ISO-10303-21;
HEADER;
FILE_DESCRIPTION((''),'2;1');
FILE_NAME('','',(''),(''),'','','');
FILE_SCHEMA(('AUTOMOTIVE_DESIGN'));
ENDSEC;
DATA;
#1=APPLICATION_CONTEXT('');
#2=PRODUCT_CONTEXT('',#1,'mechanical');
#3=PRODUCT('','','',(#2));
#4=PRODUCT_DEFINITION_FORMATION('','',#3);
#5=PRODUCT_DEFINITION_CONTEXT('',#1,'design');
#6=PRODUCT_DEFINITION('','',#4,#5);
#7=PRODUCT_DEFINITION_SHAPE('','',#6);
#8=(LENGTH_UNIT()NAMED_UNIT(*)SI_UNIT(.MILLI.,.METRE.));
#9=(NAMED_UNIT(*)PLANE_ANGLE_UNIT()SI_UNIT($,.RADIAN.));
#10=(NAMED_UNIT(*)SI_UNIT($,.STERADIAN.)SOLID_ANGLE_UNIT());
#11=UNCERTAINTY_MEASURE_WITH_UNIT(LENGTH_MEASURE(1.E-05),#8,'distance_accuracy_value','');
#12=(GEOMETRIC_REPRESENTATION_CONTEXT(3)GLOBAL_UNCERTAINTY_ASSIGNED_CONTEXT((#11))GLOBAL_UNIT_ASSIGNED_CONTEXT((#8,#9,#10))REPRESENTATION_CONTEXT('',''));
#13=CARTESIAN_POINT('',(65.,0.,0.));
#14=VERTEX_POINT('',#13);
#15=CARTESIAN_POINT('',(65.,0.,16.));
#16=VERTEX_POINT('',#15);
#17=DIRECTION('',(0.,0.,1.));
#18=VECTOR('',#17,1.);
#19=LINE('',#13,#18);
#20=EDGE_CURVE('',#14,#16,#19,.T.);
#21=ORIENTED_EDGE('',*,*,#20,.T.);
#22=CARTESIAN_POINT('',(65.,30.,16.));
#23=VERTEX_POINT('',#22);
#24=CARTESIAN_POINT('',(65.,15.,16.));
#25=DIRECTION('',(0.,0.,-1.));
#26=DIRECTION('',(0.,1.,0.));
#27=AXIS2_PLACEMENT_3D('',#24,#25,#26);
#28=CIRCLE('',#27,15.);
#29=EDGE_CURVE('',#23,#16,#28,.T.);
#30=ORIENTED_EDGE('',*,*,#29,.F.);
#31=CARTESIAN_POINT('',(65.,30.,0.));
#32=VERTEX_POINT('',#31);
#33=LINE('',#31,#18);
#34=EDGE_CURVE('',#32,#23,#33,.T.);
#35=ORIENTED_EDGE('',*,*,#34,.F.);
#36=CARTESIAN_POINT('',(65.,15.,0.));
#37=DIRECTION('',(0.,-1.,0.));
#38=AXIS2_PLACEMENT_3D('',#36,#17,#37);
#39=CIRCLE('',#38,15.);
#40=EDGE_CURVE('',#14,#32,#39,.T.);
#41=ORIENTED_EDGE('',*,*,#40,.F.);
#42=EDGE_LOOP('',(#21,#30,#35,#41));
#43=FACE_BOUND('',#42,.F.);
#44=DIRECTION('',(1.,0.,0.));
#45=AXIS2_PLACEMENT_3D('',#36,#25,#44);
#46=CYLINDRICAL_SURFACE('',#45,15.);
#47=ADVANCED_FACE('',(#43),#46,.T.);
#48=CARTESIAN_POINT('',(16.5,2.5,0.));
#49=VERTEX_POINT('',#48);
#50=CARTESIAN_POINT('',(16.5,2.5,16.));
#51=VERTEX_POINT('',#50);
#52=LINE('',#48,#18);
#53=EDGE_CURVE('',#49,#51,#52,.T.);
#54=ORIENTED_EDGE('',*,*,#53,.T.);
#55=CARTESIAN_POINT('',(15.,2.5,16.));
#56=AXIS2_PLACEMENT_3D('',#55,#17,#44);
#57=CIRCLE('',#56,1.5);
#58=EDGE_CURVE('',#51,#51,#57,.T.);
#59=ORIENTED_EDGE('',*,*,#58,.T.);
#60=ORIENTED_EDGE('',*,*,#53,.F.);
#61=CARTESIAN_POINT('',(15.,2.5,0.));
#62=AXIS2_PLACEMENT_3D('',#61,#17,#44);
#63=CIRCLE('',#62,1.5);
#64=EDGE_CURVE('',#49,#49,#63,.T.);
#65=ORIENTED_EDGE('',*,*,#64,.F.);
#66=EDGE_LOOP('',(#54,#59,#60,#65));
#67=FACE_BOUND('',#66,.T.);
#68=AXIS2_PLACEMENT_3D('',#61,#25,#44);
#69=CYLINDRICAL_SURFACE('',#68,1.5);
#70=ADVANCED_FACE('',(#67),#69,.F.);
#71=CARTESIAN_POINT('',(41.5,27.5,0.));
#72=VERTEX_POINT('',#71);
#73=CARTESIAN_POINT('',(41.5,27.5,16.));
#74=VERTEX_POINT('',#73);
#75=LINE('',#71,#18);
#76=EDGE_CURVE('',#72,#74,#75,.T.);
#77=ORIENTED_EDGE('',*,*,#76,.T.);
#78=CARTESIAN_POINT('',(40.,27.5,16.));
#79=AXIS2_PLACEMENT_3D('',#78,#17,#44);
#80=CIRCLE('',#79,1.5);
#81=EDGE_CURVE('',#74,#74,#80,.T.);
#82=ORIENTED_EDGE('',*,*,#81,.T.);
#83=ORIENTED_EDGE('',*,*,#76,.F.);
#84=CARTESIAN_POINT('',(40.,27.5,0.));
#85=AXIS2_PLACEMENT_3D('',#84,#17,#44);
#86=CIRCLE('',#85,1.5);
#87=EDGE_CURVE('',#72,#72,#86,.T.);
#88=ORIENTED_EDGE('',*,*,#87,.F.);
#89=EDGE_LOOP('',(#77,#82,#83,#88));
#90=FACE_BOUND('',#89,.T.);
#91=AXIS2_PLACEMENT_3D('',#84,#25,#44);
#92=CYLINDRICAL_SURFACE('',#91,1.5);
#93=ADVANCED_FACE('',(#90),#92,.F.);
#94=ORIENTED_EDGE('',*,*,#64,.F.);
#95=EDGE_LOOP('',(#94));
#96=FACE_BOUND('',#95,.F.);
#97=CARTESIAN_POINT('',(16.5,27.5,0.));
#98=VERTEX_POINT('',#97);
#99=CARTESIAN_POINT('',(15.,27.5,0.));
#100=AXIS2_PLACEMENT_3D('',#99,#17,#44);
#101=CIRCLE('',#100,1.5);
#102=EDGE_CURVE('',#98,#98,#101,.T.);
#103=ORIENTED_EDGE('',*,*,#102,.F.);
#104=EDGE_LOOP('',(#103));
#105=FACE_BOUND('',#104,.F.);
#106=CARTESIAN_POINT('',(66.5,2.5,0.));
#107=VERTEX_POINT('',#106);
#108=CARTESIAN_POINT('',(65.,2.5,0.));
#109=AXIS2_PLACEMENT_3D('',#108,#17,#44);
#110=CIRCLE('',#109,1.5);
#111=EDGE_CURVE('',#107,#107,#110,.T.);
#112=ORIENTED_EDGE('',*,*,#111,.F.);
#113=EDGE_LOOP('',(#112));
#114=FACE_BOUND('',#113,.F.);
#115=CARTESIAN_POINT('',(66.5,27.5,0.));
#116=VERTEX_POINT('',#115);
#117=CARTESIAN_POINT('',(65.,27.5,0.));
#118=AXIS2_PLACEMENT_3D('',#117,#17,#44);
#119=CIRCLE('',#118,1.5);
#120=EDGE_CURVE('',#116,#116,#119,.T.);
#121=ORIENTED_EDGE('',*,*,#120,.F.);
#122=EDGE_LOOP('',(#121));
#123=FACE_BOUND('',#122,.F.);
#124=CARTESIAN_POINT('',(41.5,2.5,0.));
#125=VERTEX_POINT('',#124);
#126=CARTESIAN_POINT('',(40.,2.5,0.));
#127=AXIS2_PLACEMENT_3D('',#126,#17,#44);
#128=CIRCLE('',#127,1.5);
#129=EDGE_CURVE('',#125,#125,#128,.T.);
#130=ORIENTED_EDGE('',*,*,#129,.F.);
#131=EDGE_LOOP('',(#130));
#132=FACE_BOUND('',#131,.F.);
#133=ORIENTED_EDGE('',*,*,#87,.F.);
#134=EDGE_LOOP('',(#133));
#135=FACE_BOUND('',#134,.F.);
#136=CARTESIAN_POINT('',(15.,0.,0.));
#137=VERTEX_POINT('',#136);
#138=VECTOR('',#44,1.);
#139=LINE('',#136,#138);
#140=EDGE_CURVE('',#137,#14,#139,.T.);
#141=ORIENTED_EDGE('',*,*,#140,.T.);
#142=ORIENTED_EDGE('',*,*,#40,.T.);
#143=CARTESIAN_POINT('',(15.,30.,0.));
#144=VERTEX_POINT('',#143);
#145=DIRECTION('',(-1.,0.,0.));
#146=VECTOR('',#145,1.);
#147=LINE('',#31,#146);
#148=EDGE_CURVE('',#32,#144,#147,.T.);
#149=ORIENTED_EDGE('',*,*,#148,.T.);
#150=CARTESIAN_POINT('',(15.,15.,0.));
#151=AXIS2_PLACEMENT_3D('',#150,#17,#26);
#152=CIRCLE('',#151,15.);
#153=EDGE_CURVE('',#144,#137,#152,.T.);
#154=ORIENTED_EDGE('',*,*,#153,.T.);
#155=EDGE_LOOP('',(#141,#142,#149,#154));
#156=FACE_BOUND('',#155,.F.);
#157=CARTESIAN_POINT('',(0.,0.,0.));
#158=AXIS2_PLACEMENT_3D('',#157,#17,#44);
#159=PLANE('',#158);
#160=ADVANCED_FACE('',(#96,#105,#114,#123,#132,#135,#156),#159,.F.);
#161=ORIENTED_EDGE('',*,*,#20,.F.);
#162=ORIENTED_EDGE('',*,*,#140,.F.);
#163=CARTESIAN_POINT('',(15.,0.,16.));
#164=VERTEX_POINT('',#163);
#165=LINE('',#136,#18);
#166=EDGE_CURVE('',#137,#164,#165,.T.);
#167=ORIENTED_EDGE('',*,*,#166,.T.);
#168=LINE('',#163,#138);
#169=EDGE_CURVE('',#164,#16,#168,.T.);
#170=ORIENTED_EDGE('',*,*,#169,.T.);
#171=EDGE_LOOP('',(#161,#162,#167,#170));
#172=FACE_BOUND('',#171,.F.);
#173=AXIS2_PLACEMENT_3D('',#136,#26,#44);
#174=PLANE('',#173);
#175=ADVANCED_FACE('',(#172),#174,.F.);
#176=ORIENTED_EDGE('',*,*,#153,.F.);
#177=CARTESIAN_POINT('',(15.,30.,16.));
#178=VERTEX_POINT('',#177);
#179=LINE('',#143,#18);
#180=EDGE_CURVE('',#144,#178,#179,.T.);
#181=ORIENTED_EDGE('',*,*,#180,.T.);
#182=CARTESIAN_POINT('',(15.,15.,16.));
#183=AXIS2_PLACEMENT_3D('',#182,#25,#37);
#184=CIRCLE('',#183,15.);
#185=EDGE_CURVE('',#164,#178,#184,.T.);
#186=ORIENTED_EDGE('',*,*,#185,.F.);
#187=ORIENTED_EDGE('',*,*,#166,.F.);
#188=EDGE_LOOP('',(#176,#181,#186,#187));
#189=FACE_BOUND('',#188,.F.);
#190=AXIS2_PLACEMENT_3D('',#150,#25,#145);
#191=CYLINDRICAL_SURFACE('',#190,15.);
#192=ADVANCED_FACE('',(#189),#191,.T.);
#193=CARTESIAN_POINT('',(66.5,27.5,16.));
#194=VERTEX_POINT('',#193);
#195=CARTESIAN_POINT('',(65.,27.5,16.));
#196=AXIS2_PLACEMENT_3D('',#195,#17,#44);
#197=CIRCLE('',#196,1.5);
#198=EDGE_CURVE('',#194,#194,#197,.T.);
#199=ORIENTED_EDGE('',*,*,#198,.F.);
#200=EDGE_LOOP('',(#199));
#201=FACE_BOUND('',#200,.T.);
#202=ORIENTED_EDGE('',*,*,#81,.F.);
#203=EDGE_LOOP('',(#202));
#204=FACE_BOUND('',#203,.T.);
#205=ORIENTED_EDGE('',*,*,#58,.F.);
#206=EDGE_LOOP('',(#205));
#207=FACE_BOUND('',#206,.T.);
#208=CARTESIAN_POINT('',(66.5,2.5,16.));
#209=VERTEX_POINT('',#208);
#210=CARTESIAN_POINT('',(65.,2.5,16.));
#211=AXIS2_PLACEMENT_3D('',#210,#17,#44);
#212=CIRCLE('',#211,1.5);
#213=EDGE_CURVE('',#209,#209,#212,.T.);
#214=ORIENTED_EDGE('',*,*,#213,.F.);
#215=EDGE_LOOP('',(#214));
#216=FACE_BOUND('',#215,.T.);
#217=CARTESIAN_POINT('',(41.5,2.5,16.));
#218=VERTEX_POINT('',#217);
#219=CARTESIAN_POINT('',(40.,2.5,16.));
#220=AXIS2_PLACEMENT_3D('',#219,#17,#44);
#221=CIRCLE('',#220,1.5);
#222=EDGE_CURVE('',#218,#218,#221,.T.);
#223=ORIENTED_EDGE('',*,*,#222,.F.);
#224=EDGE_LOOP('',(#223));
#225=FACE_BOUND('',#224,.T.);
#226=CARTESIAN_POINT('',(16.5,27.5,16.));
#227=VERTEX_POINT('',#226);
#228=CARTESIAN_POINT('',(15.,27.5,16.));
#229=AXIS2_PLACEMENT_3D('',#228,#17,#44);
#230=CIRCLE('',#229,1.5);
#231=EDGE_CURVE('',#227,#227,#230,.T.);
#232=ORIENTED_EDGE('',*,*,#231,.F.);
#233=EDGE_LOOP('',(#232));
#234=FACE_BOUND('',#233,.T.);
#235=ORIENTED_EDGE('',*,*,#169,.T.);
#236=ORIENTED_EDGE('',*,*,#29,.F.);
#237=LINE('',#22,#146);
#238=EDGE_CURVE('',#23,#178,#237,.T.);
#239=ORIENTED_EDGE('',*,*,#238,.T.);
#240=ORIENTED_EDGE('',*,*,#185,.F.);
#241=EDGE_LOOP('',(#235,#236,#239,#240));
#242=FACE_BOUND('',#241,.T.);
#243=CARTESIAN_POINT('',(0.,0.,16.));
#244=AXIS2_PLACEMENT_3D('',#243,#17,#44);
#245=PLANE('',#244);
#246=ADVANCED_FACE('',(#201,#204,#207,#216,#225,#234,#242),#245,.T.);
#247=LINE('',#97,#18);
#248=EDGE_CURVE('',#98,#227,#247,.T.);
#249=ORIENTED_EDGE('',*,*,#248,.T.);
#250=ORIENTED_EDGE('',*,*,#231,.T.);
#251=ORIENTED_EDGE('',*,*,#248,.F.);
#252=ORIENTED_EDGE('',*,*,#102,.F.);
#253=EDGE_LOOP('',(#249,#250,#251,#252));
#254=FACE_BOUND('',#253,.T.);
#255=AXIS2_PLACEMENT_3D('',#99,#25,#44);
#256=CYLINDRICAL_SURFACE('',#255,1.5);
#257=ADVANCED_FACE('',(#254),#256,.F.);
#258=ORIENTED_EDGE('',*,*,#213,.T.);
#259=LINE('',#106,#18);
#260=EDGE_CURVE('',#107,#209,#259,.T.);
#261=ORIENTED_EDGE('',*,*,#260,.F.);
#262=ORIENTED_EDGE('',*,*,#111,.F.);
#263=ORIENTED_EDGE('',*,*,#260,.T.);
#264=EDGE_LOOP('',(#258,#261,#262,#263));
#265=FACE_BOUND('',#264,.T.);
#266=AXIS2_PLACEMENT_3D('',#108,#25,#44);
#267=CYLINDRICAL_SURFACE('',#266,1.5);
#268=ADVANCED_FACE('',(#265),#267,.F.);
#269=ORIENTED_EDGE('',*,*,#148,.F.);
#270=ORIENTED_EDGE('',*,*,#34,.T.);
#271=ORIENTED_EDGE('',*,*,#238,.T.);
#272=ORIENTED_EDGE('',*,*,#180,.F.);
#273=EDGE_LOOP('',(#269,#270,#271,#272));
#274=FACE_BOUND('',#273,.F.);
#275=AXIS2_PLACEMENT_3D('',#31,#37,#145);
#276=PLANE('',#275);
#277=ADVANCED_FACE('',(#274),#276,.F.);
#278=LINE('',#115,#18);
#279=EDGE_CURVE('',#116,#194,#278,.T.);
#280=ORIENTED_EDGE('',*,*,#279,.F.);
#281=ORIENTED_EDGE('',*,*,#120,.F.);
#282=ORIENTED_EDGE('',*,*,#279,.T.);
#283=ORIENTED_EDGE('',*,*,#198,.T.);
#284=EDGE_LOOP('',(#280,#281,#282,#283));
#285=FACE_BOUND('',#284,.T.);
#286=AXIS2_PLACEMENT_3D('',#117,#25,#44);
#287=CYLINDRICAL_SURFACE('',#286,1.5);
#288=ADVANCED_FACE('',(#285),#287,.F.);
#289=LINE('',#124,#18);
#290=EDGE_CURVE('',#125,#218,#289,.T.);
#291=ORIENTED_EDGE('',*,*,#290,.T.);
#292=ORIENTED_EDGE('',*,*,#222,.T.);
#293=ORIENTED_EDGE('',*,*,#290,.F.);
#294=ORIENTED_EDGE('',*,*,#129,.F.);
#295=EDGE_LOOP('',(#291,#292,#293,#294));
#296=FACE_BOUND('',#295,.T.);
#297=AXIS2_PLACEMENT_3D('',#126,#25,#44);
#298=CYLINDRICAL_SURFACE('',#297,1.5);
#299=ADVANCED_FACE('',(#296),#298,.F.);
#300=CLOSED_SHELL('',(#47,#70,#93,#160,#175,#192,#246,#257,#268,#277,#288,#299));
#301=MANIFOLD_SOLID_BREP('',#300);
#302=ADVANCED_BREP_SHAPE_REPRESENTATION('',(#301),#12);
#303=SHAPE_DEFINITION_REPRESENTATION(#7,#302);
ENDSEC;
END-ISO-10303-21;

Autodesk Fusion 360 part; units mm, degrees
sketch "Sketch1" plane through (0, 0, 0) normal (0, 0, 1) x (1, 0, 0)
  line L0 (15, 0) -> (65, 0)
  line L1 (65, 30) -> (15, 30)
  arc A0 (15, 30) -> (0, 15) centre (15, 15) ccw
  arc A1 (0, 15) -> (15, 0) centre (15, 15) ccw
  arc A2 (80, 15) -> (65, 30) centre (65, 15) ccw
  arc A3 (65, 0) -> (80, 15) centre (65, 15) ccw
  line L2 (15, 15) -> (65, 15) construction
  line L3 (15, 15) -> (15, 27.5) construction
  line L4 (65, 15) -> (65, 27.5) construction
  line L5 (15, 27.5) -> (40, 27.5) construction
  circle A4 centre (15, 27.5) radius 1.5
  circle A5 centre (40, 27.5) radius 1.5
  circle A6 centre (65, 27.5) radius 1.5
  circle A7 centre (15, 2.5) radius 1.5
  circle A8 centre (40, 2.5) radius 1.5
  circle A9 centre (65, 2.5) radius 1.5
  point P0 (80, 0)
  point P1 (0, 30)
  dimension "d1" = 80
  dimension "d2" = 30
  dimension "d3" = 15
  dimension "d4" = 15
  dimension "d5" = 15
  dimension "d6" = 15
  dimension "d7" = 12.5
  dimension "d8" = 12.5
  dimension "d9" = 25
  dimension "d11" = 3
  dimension "d12" = 3
  dimension "d13" = 3
extrude "Extrude1" add sketch "Sketch1" along normal blind 16
shell "Shell1" thickness 2 removed faces 1 at (23.6999, 18.8266, 16)
hole "Hole1" at (65, 27.5, 0) at (40, 27.5, 0) at (15, 27.5, 0) at (15, 2.5, 0) at (40, 2.5, 0) at (65, 2.5, 0) direction (0, 0, -1) diameter 4 depth 1 tip angle 180 countersink diameter 4.4 countersink angle 90
